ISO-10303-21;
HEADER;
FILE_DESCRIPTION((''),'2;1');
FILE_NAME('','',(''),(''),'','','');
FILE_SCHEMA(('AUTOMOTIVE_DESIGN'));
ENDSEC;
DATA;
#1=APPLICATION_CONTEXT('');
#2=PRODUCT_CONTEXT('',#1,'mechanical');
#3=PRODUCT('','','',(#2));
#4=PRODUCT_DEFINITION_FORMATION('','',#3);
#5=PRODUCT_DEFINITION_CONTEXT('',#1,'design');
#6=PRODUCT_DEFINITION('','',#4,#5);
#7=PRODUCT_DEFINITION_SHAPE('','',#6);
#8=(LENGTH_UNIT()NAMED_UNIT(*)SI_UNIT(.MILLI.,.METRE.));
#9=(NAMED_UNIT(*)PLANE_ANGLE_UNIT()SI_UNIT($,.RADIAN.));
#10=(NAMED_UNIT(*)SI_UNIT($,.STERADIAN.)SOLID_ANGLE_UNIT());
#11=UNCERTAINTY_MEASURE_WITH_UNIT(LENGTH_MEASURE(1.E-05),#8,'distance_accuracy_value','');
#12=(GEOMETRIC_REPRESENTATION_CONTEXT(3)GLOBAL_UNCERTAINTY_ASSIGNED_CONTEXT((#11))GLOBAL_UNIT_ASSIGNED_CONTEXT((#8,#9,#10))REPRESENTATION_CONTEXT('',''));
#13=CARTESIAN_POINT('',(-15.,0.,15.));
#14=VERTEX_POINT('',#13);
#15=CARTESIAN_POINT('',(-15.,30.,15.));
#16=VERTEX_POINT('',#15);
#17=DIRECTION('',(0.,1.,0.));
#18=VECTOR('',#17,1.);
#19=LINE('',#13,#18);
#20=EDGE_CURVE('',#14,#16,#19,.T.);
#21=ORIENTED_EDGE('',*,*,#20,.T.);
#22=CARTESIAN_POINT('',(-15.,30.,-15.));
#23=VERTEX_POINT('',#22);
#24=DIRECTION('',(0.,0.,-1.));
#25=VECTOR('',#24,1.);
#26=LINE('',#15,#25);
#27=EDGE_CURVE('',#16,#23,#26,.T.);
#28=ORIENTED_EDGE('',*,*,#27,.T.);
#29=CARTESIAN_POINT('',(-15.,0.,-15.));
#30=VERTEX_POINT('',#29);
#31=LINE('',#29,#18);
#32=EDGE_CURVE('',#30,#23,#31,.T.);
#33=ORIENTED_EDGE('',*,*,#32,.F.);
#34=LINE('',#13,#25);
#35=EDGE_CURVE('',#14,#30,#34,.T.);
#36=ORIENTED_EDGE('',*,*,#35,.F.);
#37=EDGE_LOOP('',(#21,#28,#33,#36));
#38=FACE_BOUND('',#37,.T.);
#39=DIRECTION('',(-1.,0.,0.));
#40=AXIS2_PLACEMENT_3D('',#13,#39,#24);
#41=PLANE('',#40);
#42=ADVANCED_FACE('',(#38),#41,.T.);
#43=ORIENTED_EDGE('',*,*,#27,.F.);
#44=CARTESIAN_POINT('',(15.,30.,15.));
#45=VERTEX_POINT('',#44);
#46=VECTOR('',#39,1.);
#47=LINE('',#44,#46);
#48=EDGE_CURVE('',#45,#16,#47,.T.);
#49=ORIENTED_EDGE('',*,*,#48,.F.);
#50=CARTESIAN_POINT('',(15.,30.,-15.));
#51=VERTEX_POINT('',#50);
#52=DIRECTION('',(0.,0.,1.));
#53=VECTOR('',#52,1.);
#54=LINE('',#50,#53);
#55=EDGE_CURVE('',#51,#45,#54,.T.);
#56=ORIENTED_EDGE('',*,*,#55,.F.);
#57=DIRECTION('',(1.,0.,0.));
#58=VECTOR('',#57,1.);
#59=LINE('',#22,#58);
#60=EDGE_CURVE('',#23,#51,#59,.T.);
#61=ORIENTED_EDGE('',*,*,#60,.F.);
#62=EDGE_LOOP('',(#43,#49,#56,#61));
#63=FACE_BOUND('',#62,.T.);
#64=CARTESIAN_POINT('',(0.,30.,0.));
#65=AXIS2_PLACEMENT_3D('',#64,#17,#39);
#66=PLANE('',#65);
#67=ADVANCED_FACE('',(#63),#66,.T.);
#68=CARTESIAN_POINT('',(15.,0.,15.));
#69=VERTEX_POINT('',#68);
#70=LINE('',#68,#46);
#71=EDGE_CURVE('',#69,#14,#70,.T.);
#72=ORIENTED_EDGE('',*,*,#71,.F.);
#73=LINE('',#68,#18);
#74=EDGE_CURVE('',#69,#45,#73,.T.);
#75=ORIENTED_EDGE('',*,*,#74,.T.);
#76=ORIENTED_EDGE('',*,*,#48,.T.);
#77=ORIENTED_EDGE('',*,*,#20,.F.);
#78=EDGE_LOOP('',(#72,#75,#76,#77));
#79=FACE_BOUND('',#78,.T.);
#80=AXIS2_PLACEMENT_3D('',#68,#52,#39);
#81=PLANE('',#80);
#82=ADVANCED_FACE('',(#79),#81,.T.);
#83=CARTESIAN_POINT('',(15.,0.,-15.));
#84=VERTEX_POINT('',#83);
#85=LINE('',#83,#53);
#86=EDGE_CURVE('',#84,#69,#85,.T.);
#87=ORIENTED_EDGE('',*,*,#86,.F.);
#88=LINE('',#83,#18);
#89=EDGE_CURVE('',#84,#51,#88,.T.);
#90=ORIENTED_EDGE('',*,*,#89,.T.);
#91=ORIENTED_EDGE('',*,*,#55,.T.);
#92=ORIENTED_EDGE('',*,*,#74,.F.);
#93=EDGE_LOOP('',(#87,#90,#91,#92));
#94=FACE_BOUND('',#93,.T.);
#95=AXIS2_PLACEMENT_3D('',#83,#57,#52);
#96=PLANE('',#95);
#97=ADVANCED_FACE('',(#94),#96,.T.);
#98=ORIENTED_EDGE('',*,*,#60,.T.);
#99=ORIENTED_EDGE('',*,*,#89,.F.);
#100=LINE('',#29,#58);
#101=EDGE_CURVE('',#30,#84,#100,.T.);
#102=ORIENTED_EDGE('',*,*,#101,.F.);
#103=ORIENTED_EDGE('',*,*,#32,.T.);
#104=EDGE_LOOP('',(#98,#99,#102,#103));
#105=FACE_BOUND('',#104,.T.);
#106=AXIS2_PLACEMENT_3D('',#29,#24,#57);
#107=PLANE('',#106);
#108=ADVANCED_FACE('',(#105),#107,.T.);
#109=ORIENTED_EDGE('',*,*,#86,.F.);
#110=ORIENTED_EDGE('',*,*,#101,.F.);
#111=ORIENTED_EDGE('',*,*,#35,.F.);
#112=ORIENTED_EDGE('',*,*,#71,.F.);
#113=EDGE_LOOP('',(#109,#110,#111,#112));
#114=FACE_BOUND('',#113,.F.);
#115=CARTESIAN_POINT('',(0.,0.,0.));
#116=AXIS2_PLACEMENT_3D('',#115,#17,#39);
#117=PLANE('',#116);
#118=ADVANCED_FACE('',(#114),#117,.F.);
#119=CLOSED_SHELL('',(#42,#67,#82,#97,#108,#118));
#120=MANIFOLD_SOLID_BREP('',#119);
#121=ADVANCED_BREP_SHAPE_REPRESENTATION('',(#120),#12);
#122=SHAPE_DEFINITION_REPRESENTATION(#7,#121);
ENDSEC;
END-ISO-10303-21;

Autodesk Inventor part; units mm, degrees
ref_plane "YZ Plane" through (0, 0, 0) normal (1, 0, 0) x (0, 1, 0)
ref_plane "XZ Plane" through (0, 0, 0) normal (0, 1, 0) x (-1, 0, 0)
ref_plane "XY Plane" through (0, 0, 0) normal (0, 0, 1) x (1, 0, 0)
sketch "Эскиз1" plane through (0, 0, 0) normal (0, 1, 0) x (-1, 0, 0)
  line L0 (-15, 15) -> (15, 15)
  line L1 (15, 15) -> (15, -15)
  line L2 (15, -15) -> (-15, -15)
  line L3 (-15, -15) -> (-15, 15)
  line L4 (-15, 15) -> (15, -15) construction
  line L5 (15, 15) -> (-15, -15) construction
  point P0 (0, 0)
  dimension "d0" = 30
  dimension "d1" = 30
extrude "Выдавливание1" add sketch "Эскиз1" along normal blind 30
properties part number "Угол соединительный 30х30х30" material "Алюминий 6061"
